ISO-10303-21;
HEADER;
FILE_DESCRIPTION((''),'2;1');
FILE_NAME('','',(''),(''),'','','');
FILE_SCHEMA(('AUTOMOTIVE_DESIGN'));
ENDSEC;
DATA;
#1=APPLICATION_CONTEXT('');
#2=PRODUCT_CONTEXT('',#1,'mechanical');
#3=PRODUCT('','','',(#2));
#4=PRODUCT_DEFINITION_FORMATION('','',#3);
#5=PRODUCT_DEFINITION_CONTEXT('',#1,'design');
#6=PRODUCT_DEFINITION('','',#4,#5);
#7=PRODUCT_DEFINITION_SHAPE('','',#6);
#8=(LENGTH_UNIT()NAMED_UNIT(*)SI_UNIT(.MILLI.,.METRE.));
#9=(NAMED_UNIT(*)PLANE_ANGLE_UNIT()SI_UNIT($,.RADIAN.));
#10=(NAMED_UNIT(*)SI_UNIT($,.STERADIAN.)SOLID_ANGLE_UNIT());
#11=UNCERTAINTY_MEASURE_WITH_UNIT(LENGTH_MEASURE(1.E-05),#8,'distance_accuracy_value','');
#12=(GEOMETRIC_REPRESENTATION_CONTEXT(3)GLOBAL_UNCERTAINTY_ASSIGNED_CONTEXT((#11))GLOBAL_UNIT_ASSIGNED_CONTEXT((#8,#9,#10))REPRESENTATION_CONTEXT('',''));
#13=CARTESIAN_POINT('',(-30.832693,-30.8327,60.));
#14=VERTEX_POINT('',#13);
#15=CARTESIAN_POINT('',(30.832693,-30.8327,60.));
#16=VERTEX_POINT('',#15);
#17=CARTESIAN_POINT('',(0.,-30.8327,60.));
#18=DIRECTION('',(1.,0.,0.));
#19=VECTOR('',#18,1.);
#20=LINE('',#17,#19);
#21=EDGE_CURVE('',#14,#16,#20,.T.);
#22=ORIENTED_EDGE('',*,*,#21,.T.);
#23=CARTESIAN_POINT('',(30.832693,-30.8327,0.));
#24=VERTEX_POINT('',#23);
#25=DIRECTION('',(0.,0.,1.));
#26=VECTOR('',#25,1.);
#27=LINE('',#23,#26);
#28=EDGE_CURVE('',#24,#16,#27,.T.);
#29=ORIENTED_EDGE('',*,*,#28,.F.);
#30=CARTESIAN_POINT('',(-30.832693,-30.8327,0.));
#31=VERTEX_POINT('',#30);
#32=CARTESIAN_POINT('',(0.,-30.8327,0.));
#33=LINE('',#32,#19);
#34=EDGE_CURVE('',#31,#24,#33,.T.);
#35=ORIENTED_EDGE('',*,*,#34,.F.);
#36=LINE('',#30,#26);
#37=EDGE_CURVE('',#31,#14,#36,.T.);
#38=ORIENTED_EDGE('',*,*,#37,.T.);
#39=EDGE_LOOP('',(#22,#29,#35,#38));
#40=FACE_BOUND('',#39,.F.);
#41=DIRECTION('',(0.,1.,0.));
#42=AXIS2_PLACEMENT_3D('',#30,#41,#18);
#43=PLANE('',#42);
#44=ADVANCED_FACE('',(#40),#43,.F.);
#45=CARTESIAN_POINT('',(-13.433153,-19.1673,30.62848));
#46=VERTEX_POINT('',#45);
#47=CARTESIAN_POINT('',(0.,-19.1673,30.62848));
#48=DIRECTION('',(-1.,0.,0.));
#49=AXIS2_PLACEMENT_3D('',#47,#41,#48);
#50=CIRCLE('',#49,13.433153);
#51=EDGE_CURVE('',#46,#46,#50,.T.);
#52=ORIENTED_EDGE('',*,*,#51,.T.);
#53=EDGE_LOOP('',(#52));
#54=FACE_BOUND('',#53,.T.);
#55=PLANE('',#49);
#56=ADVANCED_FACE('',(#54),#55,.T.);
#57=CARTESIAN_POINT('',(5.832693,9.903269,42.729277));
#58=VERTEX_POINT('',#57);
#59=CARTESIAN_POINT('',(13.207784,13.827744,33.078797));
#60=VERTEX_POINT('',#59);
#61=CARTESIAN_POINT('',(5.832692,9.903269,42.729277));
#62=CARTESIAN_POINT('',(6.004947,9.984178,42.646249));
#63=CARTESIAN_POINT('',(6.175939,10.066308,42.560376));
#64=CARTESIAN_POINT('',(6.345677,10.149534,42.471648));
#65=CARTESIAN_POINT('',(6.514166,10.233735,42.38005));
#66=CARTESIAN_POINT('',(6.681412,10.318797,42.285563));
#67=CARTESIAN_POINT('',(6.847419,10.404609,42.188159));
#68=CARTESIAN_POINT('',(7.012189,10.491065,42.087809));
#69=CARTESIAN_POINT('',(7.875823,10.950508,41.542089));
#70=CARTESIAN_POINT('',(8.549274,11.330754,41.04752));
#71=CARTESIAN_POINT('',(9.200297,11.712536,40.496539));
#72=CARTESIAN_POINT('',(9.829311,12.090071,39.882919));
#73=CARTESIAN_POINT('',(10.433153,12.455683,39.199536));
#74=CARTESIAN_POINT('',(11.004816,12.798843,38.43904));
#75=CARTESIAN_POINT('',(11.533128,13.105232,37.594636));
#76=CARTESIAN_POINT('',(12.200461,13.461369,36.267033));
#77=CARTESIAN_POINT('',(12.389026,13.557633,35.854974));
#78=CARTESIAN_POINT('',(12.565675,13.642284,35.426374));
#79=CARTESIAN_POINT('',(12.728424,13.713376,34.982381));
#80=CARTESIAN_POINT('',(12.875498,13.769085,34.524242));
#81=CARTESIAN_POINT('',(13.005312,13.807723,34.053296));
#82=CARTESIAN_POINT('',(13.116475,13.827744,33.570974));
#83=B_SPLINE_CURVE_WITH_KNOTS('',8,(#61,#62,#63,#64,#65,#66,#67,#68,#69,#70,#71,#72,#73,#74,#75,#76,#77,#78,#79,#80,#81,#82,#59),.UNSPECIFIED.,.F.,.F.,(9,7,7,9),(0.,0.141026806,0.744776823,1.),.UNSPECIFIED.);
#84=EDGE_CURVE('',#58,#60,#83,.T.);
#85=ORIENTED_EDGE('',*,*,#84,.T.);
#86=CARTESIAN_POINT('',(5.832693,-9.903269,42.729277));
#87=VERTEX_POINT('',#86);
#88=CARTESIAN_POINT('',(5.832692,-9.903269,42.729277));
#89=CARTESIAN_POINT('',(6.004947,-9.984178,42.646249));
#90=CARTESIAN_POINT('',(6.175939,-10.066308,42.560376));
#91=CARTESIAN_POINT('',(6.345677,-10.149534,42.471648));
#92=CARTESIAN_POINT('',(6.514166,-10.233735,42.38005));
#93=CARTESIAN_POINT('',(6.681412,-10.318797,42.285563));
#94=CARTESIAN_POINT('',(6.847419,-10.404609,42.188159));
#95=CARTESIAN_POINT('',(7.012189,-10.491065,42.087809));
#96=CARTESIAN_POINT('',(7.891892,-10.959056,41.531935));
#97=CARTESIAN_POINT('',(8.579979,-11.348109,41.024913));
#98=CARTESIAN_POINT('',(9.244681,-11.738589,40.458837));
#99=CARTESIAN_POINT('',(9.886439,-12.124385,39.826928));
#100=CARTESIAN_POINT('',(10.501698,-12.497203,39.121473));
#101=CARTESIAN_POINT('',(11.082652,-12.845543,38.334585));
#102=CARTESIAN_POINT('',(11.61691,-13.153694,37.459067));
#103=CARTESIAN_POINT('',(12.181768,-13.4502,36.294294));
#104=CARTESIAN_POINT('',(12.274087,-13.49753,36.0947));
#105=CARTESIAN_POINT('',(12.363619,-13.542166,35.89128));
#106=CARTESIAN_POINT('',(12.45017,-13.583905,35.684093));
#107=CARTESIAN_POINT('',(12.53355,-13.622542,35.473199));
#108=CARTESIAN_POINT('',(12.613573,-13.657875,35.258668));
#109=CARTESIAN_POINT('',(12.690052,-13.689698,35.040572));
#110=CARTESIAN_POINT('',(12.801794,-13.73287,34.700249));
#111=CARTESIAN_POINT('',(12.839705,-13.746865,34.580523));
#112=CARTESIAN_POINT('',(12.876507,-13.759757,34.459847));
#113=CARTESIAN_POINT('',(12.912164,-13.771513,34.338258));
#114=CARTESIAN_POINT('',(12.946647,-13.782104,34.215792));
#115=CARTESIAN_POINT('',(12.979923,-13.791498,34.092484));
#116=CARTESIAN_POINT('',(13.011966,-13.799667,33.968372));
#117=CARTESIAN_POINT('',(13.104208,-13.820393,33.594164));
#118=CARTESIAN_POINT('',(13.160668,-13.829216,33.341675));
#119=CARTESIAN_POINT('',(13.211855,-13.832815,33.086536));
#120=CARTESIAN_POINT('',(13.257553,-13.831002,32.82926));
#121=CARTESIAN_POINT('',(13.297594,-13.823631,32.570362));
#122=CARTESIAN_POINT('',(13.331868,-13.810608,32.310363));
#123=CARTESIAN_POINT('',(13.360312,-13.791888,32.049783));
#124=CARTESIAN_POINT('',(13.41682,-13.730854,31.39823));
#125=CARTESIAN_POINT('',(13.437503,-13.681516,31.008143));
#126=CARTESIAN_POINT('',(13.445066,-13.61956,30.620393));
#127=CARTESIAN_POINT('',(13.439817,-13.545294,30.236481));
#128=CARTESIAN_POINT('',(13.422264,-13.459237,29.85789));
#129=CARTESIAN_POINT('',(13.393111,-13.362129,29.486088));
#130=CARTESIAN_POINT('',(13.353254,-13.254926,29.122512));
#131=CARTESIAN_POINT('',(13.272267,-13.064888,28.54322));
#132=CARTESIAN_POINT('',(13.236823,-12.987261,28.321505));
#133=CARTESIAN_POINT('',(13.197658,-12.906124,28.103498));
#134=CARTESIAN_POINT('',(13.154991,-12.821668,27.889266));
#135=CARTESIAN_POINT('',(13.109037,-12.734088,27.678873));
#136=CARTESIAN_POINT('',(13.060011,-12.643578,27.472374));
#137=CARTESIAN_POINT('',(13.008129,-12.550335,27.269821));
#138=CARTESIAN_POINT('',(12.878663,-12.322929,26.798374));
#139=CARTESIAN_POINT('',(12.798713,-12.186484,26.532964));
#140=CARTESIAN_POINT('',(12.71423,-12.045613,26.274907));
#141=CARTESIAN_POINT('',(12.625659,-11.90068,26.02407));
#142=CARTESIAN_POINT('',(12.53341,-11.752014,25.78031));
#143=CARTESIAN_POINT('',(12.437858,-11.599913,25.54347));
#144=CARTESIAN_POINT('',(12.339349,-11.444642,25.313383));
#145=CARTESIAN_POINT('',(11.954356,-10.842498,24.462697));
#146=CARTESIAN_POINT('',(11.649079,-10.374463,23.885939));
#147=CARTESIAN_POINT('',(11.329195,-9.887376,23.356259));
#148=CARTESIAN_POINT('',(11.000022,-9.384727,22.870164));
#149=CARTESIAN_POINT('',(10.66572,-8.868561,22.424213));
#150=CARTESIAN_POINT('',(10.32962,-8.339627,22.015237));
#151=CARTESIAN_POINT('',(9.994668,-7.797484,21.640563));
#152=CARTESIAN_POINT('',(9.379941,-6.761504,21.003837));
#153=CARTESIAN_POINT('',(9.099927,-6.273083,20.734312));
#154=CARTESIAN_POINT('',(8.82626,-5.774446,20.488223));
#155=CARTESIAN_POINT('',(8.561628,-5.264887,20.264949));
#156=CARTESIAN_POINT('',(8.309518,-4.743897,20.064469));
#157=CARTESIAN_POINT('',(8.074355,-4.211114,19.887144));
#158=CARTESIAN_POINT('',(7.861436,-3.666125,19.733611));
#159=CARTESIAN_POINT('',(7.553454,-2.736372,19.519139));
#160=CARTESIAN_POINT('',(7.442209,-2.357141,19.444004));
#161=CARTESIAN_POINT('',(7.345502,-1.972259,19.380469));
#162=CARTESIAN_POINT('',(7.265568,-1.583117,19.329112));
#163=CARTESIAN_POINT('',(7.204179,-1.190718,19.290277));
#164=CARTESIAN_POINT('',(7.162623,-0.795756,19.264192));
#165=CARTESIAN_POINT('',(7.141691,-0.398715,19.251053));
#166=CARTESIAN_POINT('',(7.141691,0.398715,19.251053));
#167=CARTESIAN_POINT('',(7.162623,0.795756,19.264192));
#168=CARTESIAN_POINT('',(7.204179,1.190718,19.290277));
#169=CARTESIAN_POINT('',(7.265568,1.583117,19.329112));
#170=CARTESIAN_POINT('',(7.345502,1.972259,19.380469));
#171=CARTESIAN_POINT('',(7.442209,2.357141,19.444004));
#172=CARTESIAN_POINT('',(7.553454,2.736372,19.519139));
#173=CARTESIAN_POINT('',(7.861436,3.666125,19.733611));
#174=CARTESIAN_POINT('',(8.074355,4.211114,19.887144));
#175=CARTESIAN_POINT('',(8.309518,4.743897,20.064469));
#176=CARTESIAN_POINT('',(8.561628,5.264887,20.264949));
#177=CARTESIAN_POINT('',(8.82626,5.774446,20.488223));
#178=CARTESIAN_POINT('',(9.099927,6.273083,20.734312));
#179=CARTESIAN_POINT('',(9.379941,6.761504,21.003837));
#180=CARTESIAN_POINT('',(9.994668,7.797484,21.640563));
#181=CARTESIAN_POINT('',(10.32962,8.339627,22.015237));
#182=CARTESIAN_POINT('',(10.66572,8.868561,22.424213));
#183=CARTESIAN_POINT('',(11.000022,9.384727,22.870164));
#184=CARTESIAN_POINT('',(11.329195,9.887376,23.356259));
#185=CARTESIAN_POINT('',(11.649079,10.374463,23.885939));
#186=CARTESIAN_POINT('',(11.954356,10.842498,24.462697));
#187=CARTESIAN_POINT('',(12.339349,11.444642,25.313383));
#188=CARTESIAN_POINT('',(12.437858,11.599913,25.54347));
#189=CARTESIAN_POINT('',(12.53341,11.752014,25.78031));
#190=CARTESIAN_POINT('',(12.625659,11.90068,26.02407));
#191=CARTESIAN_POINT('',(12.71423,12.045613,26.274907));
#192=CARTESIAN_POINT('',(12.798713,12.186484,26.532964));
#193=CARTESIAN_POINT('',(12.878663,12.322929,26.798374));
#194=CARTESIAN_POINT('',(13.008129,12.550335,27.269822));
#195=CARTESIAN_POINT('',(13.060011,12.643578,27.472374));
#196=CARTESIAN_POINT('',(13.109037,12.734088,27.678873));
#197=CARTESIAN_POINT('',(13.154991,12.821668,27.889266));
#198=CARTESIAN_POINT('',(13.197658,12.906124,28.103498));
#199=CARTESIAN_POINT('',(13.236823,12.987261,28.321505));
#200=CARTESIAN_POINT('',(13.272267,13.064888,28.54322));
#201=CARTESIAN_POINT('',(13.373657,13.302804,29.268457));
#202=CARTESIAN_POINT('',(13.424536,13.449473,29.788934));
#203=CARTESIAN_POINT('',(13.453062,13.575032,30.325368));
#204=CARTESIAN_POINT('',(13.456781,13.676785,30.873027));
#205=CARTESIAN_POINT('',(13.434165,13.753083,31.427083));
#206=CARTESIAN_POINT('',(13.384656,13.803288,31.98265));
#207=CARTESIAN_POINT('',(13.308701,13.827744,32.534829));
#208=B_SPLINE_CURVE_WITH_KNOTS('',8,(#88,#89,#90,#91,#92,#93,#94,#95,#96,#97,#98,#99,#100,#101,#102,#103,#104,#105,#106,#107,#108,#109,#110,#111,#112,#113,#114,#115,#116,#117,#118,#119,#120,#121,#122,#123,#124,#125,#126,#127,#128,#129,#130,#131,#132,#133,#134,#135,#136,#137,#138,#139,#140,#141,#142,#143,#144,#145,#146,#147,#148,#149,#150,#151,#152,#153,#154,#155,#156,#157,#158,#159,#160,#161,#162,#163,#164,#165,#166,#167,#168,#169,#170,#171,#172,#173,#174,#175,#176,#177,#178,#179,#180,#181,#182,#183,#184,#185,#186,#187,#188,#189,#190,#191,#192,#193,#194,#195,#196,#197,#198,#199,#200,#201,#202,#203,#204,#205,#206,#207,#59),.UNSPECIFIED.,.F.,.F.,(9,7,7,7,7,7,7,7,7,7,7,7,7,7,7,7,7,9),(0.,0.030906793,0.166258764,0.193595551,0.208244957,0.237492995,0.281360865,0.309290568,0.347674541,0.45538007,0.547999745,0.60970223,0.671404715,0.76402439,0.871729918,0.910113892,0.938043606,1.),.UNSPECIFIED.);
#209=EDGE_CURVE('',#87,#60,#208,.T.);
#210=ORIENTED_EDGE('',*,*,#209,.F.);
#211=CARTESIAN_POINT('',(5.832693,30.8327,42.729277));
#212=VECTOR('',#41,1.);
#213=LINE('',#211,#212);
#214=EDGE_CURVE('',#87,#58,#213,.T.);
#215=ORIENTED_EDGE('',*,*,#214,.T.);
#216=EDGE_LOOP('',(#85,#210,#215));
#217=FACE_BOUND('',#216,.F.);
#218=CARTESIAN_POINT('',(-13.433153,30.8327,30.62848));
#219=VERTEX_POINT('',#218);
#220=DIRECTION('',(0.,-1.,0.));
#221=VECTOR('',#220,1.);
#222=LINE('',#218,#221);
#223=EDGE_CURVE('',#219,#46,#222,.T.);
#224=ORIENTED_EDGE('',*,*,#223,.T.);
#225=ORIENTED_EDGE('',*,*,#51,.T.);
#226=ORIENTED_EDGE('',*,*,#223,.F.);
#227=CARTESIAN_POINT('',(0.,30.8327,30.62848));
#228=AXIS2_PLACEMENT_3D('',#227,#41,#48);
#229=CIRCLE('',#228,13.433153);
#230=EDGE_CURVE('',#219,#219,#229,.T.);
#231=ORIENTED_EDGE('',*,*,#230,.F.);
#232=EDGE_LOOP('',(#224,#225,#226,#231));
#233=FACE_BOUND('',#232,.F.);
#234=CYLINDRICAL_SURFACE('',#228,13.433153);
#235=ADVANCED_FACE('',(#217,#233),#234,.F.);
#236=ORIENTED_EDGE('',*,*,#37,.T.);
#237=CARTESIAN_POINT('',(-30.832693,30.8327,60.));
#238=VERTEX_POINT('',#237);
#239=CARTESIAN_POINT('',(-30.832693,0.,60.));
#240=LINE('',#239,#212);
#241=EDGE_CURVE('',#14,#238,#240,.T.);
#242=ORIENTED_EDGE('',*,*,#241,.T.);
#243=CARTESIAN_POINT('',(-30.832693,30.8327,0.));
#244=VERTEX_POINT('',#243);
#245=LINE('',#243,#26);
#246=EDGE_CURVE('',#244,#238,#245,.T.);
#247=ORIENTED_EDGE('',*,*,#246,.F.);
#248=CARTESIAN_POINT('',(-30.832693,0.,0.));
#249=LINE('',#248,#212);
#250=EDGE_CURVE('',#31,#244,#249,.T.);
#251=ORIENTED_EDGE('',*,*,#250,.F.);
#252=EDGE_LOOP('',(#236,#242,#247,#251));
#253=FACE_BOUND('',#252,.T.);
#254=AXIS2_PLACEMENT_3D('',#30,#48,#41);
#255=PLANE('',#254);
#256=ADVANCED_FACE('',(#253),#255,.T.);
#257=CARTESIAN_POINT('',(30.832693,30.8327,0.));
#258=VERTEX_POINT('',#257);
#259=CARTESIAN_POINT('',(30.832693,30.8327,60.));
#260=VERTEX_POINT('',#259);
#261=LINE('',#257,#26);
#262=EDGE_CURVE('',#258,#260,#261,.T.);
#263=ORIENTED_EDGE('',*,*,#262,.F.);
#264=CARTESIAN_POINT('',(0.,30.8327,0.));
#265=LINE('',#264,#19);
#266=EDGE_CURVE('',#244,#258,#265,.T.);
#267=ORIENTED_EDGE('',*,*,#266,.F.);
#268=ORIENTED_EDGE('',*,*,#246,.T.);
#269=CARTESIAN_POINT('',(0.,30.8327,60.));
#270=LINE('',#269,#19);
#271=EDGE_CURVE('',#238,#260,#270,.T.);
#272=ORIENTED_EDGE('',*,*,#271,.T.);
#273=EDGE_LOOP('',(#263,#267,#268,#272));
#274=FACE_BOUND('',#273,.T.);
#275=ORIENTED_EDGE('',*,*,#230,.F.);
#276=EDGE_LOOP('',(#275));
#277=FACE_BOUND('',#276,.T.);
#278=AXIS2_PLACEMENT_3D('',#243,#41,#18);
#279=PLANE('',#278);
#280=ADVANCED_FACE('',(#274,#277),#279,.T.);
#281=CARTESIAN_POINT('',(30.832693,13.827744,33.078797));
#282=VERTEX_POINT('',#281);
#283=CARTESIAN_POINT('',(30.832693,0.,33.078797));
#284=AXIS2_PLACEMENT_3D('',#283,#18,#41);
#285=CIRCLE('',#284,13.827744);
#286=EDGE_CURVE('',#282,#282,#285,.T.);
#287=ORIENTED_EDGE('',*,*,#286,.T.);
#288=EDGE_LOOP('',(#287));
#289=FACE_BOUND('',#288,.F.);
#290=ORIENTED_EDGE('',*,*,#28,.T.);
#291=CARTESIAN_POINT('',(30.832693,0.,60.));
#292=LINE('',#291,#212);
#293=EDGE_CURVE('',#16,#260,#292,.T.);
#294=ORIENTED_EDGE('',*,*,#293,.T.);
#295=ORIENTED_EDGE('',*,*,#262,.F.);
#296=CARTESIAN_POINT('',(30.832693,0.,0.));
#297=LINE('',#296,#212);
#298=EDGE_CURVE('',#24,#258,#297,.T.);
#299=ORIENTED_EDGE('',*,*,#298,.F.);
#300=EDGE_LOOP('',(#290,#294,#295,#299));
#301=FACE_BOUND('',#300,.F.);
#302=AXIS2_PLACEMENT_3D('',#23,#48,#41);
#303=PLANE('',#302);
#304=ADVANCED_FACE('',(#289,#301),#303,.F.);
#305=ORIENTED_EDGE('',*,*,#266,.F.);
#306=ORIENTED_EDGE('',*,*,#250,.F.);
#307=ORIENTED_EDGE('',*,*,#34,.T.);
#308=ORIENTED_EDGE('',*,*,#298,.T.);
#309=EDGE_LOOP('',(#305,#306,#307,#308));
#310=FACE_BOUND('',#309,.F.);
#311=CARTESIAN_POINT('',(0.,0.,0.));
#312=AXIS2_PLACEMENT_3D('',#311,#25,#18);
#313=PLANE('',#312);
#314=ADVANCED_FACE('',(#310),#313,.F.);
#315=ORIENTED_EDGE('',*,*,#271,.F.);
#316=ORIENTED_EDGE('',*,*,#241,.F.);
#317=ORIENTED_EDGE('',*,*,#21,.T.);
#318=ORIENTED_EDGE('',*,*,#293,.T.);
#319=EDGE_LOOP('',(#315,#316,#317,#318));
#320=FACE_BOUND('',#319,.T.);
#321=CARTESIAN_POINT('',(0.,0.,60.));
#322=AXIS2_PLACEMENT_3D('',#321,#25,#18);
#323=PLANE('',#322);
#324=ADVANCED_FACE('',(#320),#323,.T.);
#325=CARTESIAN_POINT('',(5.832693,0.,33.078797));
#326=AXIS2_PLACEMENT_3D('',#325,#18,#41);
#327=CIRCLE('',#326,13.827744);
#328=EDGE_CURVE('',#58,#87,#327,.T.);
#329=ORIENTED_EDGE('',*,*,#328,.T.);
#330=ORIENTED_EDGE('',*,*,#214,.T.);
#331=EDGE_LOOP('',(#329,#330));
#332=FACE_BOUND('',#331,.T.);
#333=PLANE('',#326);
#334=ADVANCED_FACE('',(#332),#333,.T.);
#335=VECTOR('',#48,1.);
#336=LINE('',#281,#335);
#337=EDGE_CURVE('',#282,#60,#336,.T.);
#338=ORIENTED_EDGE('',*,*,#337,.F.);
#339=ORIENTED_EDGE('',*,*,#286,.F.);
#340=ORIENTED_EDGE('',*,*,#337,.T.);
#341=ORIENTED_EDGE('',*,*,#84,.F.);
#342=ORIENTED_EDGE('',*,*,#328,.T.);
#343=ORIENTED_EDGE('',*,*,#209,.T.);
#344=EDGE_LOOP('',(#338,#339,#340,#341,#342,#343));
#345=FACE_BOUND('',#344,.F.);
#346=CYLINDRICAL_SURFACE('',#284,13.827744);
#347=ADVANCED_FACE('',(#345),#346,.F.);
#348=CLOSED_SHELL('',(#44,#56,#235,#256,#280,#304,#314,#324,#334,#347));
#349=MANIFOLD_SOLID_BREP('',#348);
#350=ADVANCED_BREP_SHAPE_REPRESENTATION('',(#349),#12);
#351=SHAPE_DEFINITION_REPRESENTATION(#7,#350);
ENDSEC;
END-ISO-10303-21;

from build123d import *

# Parameters (mm, degrees)
F0_W     = 61.665386
F0_H     = 61.6654
F1_DEPTH = 60
F2_R     = 13.827744
F3_DEPTH = 25
F4_R     = 16.83794
F5_DEPTH = 50
F6_R     = 13.433153
F7_DEPTH = 50


with BuildPart() as f1:
    # F0 (on Top) → F1 (new body)
    with BuildSketch(Plane.XY):
        Rectangle(F0_W, F0_H)
    extrude(amount=F1_DEPTH)

    # F2 (on face) → F3 (cut)
    with BuildSketch(Plane.YZ.offset(30.832693)):
        with Locations((0, 33.078797)):
            Circle(F2_R)
    extrude(amount=-F3_DEPTH, mode=Mode.SUBTRACT)

    # F4 (on face) → F5 (cut)
    with BuildSketch(Plane(origin=(0, 30.8327, 0), x_dir=(-1, 0, 0), z_dir=(0, 1, 0))):
        with Locations((0, 30.424289)):
            Circle(F4_R)
    extrude(amount=F5_DEPTH, mode=Mode.SUBTRACT)

    # F6 (on face) → F7 (cut)
    with BuildSketch(Plane(origin=(0, 30.8327, 0), x_dir=(-1, 0, 0), z_dir=(0, 1, 0))):
        with Locations((0, 30.62848)):
            Circle(F6_R)
    extrude(amount=-F7_DEPTH, mode=Mode.SUBTRACT)


solid = f1.part
